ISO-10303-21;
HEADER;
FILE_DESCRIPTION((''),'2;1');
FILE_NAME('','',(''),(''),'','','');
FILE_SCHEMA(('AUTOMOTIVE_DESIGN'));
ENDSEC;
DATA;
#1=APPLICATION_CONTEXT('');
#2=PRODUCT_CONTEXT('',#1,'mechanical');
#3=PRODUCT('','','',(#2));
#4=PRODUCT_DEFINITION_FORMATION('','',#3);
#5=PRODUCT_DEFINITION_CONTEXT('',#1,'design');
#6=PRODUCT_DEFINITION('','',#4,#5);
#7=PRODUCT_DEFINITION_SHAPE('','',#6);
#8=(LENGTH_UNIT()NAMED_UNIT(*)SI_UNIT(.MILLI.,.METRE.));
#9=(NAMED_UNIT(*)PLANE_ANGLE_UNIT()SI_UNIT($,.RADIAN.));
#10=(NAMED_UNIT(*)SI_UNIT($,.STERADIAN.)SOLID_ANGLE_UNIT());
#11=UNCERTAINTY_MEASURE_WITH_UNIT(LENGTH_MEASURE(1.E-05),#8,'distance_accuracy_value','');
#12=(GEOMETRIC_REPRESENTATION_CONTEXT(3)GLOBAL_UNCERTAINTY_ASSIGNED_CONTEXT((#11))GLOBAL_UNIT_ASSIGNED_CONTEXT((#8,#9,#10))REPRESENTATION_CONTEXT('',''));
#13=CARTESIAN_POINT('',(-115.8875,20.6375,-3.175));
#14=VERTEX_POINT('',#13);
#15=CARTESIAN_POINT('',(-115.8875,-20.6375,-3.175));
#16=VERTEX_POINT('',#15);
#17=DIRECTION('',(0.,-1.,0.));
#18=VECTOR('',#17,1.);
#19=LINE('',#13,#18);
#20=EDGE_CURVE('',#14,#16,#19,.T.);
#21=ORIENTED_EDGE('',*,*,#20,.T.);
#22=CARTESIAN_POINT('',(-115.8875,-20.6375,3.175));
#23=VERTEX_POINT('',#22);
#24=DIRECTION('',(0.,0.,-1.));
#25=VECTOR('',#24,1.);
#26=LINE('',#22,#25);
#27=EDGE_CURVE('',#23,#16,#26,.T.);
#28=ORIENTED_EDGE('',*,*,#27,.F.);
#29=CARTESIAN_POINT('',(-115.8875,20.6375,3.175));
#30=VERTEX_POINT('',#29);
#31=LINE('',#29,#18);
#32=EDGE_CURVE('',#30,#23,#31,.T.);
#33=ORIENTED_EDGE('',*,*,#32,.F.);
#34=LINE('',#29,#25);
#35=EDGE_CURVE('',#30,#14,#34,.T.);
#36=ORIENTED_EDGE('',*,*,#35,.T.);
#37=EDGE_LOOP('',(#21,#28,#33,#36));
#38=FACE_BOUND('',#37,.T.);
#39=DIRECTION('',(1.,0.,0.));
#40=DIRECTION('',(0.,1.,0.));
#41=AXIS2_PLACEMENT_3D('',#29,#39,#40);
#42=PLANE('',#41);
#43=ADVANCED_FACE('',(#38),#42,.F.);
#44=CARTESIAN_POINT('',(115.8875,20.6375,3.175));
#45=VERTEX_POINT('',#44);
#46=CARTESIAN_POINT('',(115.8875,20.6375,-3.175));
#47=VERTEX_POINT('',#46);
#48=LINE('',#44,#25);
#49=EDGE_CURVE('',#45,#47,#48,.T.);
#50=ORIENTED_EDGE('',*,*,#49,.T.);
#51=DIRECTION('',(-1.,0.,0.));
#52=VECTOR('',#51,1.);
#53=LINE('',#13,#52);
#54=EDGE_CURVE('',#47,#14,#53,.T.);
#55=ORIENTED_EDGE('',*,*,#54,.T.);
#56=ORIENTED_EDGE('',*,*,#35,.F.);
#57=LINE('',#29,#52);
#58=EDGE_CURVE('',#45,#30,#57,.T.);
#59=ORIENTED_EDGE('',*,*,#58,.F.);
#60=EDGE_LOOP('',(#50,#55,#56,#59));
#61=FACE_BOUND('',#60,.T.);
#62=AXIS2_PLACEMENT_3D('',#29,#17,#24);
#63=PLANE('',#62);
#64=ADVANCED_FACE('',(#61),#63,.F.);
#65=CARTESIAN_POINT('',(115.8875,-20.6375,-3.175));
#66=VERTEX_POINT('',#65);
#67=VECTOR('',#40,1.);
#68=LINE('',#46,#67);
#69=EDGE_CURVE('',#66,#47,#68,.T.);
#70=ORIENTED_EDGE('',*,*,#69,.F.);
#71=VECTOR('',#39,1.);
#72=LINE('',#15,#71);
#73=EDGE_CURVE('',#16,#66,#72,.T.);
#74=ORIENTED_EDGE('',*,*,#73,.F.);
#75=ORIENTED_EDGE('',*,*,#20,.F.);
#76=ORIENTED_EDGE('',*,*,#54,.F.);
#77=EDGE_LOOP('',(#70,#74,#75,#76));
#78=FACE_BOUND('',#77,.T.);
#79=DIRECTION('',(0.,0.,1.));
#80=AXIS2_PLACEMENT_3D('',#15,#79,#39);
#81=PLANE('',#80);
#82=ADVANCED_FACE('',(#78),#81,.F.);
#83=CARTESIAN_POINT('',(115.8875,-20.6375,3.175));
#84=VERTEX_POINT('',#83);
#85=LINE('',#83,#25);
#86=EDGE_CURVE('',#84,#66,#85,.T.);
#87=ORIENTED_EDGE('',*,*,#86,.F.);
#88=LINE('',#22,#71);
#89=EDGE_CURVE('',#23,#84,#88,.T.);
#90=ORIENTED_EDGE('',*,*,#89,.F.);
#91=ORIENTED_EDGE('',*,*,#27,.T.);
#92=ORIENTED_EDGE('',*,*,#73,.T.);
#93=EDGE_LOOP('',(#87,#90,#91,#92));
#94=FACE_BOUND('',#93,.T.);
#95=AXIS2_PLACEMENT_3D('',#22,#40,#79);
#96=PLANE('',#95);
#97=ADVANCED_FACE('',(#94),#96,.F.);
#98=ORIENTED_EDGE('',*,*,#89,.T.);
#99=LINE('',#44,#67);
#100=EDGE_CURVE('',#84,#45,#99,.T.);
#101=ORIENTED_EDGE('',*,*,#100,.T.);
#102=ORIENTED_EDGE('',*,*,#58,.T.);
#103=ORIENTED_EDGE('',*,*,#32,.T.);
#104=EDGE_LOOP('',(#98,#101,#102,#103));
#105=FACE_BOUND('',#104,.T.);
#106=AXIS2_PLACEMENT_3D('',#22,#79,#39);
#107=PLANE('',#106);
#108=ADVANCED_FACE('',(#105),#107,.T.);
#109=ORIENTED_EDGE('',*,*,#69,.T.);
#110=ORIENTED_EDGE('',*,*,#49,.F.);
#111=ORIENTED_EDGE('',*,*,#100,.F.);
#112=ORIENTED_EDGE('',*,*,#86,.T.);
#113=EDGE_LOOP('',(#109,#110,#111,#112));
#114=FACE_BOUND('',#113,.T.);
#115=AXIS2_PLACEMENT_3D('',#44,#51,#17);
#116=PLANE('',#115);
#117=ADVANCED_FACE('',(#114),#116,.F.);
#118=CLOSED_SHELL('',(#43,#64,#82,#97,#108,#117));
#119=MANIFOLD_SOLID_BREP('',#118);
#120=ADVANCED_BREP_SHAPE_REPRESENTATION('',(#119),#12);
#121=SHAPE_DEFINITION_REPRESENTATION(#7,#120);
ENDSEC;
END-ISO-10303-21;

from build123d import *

# Parameters (mm, degrees)
SKETCH1_W           = 231.775
SKETCH1_H           = 41.275
SKETCH1_R           = 7.14375
BOSS_EXTRUDE1_DEPTH = 3.175
SKETCH2_W           = 231.775
SKETCH2_H           = 41.275
BOSS_EXTRUDE2_DEPTH = 6.35


with BuildPart() as part:
    # Sketch1 → Boss-Extrude1 (new, symmetric)
    with BuildSketch(Plane.XY):
        Rectangle(SKETCH1_W, SKETCH1_H)
        with Locations((-95.25, 0)):
            Circle(SKETCH1_R, mode=Mode.SUBTRACT)
        with Locations((-47.625, 0)):
            Circle(SKETCH1_R, mode=Mode.SUBTRACT)
        Circle(SKETCH1_R, mode=Mode.SUBTRACT)
        with Locations((47.625, 0)):
            Circle(SKETCH1_R, mode=Mode.SUBTRACT)
        with Locations((95.25, 0)):
            Circle(SKETCH1_R, mode=Mode.SUBTRACT)
    extrude(amount=BOSS_EXTRUDE1_DEPTH, both=True)

    # Sketch2 → Boss-Extrude2 (add)
    with BuildSketch(Plane.XY.offset(3.175)):
        Rectangle(SKETCH2_W, SKETCH2_H)
    extrude(amount=-BOSS_EXTRUDE2_DEPTH)


solid = part.part
